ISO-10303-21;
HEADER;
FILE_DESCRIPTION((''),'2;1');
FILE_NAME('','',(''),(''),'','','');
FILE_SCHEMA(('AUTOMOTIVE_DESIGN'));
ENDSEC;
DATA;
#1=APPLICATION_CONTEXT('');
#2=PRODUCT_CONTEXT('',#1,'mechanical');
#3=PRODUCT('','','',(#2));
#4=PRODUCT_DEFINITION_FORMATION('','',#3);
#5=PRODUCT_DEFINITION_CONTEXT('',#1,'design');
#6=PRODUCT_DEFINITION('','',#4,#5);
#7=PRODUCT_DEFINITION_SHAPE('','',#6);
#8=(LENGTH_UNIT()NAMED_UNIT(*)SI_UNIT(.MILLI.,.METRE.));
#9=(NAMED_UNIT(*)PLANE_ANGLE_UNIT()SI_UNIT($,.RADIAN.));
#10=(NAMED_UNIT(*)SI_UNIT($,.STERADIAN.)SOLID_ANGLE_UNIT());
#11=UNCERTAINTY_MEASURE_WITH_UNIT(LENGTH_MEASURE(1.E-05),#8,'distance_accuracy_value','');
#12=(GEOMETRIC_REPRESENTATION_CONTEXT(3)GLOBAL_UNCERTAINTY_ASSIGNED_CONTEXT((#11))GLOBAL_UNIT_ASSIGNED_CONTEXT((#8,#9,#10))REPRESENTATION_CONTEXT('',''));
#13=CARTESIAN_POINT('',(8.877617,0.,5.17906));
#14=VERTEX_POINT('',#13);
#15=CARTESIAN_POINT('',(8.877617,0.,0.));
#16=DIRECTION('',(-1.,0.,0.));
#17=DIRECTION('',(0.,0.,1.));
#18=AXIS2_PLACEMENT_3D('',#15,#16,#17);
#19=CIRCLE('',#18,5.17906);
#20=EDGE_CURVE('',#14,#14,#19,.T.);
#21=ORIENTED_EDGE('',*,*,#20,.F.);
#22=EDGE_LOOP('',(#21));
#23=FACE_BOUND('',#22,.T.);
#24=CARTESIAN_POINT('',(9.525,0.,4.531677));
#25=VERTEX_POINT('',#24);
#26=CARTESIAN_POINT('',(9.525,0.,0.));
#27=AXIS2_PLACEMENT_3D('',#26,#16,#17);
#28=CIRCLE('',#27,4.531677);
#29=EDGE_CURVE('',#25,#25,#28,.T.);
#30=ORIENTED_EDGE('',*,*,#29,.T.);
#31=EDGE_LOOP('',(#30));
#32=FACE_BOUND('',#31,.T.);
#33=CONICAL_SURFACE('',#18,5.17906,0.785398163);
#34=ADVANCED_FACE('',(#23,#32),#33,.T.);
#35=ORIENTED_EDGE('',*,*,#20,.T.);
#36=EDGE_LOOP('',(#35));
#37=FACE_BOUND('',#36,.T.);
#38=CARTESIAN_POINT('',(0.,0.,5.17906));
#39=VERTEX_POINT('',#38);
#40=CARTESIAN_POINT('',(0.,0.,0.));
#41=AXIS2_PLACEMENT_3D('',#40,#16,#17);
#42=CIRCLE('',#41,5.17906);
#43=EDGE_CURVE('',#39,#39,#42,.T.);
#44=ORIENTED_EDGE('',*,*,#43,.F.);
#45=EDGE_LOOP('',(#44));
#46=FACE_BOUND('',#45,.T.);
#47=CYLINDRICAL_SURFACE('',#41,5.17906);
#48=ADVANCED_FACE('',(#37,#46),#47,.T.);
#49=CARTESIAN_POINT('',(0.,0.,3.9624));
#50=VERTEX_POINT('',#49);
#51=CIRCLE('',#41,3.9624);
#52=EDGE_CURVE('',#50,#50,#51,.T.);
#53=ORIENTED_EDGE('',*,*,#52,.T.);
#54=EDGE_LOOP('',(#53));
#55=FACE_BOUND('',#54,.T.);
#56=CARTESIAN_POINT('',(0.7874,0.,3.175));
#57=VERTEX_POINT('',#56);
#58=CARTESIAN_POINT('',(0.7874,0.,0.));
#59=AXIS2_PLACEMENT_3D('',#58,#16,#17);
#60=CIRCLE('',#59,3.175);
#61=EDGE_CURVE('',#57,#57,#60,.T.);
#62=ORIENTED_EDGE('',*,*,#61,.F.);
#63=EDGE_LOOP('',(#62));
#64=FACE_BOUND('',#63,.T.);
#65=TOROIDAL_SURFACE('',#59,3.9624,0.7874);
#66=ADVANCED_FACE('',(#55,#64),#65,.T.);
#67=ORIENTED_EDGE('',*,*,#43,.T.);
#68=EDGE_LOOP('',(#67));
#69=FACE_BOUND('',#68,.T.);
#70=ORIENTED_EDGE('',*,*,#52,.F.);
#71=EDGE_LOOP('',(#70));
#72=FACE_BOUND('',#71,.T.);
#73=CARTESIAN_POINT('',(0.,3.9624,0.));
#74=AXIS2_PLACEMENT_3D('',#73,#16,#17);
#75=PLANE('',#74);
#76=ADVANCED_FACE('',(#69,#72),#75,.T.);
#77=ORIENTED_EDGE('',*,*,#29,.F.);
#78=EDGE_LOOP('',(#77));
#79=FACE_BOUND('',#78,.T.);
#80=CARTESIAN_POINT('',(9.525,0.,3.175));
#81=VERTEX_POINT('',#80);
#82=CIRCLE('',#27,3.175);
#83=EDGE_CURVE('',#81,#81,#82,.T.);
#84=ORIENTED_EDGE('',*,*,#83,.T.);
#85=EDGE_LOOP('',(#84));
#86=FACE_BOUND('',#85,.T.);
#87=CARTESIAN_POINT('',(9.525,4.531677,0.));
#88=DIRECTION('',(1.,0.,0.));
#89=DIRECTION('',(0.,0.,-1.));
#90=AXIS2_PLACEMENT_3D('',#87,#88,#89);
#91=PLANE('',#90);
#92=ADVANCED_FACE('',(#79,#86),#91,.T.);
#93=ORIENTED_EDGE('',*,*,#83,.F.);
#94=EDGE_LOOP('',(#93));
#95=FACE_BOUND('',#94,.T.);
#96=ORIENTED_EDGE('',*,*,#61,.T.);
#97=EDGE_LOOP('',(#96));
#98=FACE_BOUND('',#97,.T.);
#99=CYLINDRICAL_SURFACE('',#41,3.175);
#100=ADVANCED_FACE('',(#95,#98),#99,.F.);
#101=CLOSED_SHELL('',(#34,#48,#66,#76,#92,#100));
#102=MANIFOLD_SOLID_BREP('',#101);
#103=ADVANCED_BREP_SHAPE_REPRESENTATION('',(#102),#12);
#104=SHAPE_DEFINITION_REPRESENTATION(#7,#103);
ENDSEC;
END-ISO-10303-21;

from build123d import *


with BuildPart() as part:
    # Sketch1 → BaseBody (revolve)
    with BuildSketch(Plane.XY, mode=Mode.PRIVATE) as basebody_sk:
        with BuildLine():
            Line((0, 3.9624), (0, 5.17906))
            Line((0, 5.17906), (8.8776175, 5.17906))
            Line((8.8776175, 5.17906), (9.525, 4.5316775))
            Line((9.525, 4.5316775), (9.525, 3.175))
            Line((9.525, 3.175), (0.7874, 3.175))
            ThreePointArc((0.7874, 3.175), (0.23062412, 3.40562412), (0, 3.9624))
        make_face()
    revolve(basebody_sk.sketch.rotate(Axis((0, 0, 0), (1, 0, 0)), 90), axis=Axis((0, 0, 0), (1, 0, 0)))


solid = part.part
